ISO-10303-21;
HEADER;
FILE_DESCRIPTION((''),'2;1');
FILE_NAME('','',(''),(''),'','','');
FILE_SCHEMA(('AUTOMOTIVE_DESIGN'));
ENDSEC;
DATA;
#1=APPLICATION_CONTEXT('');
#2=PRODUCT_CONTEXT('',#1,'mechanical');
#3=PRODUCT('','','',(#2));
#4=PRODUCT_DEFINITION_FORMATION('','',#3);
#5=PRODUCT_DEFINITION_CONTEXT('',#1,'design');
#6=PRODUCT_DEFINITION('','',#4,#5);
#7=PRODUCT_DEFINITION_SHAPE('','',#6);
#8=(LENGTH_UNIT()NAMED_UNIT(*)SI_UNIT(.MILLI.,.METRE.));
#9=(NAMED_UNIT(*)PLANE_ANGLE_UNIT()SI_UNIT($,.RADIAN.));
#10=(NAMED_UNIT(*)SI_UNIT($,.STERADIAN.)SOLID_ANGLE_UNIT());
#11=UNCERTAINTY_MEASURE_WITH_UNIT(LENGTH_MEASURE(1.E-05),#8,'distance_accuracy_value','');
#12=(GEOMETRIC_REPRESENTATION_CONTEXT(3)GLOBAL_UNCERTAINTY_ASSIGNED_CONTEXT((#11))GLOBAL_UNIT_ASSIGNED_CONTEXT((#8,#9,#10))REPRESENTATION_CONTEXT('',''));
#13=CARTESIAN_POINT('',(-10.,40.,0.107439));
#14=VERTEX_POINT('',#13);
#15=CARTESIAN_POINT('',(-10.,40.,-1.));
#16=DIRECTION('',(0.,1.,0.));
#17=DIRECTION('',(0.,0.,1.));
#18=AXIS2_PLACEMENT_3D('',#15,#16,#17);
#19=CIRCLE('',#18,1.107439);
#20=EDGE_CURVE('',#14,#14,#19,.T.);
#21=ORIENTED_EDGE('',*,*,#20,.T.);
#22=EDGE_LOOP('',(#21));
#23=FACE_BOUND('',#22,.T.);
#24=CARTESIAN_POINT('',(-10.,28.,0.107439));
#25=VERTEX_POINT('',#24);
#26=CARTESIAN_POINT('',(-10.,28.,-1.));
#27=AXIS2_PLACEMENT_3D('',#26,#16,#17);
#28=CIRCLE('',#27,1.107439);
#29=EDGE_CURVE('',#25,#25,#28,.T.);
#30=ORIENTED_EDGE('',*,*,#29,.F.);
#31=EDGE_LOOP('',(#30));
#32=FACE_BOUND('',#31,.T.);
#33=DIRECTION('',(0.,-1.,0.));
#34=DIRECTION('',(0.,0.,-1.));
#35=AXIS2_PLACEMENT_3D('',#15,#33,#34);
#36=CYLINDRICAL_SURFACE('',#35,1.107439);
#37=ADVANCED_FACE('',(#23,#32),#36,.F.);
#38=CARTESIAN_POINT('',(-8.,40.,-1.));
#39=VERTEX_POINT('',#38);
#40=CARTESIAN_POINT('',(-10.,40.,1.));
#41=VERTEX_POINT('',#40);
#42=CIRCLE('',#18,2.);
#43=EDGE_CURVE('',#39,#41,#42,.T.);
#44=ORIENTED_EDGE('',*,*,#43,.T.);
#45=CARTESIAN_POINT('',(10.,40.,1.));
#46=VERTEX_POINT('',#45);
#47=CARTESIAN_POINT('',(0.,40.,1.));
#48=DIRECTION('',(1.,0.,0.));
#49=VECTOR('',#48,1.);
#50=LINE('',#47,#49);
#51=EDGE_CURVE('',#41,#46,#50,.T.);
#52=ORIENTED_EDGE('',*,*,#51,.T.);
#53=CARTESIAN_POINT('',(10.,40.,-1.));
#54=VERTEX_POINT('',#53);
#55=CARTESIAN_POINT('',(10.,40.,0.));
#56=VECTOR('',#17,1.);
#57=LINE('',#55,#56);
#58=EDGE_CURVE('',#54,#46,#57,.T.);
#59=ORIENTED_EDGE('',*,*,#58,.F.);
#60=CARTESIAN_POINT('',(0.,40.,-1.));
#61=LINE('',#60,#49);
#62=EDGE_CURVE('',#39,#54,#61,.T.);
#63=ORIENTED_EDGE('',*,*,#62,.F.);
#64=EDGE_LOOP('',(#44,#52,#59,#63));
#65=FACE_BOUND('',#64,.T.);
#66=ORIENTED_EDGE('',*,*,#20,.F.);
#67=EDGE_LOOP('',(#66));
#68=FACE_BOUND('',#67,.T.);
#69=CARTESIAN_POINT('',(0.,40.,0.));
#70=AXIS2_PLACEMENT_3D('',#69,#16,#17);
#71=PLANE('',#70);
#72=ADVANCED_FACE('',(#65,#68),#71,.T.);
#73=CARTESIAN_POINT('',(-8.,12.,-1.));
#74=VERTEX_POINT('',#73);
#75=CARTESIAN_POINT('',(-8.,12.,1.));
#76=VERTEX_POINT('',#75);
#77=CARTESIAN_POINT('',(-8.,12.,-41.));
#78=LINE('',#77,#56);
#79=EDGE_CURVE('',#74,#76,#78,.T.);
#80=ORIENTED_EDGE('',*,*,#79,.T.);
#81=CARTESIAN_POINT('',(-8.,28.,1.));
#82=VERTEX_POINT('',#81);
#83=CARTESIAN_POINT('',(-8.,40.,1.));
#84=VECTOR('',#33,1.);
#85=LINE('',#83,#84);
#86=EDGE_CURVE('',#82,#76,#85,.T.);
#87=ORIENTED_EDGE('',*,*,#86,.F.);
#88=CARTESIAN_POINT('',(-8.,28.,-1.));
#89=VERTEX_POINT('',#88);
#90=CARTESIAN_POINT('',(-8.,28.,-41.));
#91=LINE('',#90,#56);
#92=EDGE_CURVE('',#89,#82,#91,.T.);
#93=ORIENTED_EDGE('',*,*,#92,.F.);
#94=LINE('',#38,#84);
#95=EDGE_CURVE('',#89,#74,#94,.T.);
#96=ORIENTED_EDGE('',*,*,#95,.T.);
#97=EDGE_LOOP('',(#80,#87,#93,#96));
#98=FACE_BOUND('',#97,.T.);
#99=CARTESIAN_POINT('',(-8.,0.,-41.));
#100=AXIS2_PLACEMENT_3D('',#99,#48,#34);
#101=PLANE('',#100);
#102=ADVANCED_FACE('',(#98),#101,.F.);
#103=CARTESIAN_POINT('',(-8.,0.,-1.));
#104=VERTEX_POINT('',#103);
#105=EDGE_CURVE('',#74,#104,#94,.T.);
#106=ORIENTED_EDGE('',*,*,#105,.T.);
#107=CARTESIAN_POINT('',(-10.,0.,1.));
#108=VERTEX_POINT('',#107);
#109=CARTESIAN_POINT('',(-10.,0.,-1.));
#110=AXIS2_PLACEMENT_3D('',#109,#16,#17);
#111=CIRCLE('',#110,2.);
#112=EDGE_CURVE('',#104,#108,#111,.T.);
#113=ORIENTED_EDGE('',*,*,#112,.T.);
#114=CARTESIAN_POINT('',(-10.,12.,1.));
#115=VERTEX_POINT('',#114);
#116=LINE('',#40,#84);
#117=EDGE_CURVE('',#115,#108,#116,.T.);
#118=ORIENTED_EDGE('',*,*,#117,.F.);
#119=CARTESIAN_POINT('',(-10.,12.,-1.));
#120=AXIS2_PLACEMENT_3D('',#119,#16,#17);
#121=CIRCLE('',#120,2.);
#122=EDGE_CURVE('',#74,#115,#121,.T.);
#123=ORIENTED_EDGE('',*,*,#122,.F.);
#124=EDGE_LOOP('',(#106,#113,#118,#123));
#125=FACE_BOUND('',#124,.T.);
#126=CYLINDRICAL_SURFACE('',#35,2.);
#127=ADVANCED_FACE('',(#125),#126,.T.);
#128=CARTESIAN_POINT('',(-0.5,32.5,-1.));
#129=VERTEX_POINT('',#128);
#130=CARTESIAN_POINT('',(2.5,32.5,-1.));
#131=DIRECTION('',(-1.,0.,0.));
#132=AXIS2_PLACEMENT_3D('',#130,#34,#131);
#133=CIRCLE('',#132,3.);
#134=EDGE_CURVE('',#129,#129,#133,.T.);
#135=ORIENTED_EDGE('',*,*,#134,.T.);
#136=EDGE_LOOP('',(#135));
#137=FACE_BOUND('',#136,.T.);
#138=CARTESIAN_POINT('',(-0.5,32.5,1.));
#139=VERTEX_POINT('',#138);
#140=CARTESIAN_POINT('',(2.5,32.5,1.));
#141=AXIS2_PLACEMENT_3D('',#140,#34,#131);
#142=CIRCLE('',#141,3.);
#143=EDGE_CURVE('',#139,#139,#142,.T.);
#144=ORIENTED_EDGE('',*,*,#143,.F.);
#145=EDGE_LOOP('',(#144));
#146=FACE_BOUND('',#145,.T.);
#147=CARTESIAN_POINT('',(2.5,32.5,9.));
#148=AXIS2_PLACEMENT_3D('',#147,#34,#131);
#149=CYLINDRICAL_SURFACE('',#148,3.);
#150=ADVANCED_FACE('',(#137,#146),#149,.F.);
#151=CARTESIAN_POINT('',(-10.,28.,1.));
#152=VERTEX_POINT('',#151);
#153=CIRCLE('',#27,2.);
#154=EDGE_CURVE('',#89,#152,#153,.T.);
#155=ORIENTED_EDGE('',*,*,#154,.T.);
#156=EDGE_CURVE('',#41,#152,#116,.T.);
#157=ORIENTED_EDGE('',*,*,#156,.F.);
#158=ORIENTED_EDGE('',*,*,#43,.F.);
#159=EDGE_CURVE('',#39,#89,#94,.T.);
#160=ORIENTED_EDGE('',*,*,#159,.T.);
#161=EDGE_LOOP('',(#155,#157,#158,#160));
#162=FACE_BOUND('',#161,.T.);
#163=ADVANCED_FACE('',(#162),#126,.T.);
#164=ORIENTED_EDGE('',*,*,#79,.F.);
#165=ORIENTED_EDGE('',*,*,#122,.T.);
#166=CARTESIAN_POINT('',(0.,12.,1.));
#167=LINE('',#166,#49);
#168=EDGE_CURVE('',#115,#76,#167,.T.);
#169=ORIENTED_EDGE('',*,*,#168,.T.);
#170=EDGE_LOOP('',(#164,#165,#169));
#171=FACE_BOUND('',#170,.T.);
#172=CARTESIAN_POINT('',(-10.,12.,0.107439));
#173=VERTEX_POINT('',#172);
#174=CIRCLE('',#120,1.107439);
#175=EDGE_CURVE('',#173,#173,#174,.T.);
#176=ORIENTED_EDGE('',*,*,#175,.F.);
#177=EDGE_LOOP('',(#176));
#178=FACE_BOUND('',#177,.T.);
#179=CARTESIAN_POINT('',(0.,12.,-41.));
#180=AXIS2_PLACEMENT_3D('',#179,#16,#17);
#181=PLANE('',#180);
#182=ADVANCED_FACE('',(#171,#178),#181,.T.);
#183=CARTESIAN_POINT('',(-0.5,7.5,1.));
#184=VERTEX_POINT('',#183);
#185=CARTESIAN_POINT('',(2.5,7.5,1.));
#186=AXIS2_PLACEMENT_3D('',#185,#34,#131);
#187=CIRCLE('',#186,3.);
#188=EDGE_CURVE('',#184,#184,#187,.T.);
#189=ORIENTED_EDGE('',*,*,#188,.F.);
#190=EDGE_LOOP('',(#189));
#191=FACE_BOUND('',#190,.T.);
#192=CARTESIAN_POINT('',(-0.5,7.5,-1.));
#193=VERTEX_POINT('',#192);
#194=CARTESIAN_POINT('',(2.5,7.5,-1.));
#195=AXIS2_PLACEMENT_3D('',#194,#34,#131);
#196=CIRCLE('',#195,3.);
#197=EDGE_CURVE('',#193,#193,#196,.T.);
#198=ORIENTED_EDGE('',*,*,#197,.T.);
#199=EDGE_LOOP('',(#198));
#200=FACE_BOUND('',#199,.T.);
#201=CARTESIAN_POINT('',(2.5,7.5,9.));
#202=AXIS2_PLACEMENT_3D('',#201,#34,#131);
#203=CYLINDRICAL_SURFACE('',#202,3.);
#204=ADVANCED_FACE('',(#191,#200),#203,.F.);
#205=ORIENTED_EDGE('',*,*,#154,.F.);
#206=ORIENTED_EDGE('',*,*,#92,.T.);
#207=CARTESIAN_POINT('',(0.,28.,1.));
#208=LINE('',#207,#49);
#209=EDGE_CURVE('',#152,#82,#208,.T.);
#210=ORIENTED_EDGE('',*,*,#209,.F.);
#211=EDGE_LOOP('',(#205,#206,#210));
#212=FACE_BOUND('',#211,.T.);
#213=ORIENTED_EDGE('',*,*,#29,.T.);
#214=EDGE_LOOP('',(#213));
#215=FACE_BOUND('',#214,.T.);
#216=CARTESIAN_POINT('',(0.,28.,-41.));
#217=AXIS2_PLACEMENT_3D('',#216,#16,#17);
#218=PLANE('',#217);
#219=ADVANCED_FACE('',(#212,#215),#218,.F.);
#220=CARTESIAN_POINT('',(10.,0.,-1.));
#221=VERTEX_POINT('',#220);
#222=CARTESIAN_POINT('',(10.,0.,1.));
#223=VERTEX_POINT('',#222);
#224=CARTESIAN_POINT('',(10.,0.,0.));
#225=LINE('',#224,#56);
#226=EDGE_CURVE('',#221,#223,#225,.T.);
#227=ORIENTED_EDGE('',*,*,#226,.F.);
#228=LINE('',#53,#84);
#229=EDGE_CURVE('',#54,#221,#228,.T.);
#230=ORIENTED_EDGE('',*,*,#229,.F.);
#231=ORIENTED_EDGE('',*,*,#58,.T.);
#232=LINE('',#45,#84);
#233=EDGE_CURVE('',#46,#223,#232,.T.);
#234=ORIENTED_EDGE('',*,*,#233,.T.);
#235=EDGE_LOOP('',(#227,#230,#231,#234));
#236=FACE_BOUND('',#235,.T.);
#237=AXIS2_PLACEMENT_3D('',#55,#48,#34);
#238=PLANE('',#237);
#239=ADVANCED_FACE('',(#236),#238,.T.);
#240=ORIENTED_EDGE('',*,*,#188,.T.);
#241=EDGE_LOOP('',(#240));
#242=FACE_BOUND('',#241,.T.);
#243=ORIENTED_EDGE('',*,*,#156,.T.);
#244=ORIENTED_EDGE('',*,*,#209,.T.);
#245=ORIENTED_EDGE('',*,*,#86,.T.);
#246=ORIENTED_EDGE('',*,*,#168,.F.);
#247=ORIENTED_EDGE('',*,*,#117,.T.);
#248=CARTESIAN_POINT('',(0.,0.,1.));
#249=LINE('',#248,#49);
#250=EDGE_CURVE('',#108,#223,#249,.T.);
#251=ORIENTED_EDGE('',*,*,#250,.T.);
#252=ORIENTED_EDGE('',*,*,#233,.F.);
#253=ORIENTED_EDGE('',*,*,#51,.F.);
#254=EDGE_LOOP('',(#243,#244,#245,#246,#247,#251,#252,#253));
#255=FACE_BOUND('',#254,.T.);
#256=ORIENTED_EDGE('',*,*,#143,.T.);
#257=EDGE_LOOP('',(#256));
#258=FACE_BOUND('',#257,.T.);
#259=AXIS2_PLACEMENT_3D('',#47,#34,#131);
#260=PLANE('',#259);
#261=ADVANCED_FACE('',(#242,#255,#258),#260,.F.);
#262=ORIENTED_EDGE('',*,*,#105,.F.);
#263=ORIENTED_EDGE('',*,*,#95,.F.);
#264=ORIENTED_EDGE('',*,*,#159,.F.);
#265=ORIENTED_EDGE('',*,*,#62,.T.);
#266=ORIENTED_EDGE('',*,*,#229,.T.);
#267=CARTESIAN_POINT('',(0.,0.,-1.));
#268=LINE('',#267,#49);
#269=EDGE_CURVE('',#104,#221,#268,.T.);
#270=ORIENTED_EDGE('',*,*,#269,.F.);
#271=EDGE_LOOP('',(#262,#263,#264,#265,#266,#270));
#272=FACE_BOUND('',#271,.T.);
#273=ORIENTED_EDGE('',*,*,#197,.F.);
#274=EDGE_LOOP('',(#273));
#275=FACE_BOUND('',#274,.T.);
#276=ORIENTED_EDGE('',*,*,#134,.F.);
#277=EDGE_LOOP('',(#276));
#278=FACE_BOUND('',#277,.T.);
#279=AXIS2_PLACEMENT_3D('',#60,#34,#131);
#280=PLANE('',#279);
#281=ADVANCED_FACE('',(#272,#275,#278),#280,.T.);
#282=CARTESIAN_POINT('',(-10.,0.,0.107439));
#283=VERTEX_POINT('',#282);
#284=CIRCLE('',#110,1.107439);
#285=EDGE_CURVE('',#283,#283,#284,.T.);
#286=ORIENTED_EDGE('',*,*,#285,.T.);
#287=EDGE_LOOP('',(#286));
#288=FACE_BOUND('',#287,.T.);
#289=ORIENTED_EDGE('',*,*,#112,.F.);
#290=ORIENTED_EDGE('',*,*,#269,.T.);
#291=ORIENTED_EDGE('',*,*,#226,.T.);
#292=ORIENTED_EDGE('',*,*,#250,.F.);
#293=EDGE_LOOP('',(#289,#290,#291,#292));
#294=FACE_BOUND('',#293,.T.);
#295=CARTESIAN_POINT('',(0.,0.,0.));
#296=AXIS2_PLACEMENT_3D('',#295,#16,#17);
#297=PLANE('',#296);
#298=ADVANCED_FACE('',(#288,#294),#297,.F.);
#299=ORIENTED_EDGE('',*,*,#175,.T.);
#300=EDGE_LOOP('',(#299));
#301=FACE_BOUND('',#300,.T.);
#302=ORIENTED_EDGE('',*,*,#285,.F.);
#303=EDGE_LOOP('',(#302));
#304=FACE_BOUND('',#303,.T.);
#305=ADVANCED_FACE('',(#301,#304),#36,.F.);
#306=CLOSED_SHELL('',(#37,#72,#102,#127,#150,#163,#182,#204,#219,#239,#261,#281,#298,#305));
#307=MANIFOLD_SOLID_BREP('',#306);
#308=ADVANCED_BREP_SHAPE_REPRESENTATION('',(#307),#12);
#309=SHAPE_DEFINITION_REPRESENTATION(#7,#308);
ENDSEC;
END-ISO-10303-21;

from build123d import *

# Parameters (mm, degrees)
SKETCH_1_R               = 1.107438874
EXTRUDE_1_DEPTH          = 40
CUT_EXTRUDE_1_DEPTH      = 40
CUT_EXTRUDE_1_DEPTH_BACK = 40
SKETCH_3_W               = 4
SKETCH_3_H               = 16
SKETCH_5_R               = 3
CUT_EXTRUDE_2_DEPTH      = 10


with BuildPart() as part:
    # 草图1 → 凸台-拉伸1 (new body)
    with BuildSketch(Plane(origin=(0, 0, 0), x_dir=(1, 0, 0), z_dir=(0, 1, 0))):
        with BuildLine():
            ThreePointArc((-8, 1), (-11.414213562, 2.414213562), (-10, -1))
            Line((-10, -1), (10, -1))
            Line((10, -1), (10, 1))
            Line((10, 1), (-8, 1))
        make_face()
        with Locations((-10, 1)):
            Circle(SKETCH_1_R, mode=Mode.SUBTRACT)
    extrude(amount=EXTRUDE_1_DEPTH)

    # 草图3 → 切除-拉伸1 (cut, two sides: drawn at the far end of the back side and taken through both)
    with BuildSketch(Plane(origin=(0, 0, -1), x_dir=(-1, 0, 0), z_dir=(0, 0, -1)).offset(-CUT_EXTRUDE_1_DEPTH_BACK)):
        with Locations((10, 20)):
            Rectangle(SKETCH_3_W, SKETCH_3_H)
    extrude(amount=CUT_EXTRUDE_1_DEPTH + CUT_EXTRUDE_1_DEPTH_BACK, mode=Mode.SUBTRACT)

    # 草图5 → 切除-拉伸2 (cut)
    with BuildSketch(Plane(origin=(0, 0, -1), x_dir=(-1, 0, 0), z_dir=(0, 0, -1))):
        with Locations((-2.5, 7.5)):
            Circle(SKETCH_5_R)
        with Locations((-2.5, 32.5)):
            Circle(SKETCH_5_R)
    extrude(amount=-CUT_EXTRUDE_2_DEPTH, mode=Mode.SUBTRACT)


solid = part.part
